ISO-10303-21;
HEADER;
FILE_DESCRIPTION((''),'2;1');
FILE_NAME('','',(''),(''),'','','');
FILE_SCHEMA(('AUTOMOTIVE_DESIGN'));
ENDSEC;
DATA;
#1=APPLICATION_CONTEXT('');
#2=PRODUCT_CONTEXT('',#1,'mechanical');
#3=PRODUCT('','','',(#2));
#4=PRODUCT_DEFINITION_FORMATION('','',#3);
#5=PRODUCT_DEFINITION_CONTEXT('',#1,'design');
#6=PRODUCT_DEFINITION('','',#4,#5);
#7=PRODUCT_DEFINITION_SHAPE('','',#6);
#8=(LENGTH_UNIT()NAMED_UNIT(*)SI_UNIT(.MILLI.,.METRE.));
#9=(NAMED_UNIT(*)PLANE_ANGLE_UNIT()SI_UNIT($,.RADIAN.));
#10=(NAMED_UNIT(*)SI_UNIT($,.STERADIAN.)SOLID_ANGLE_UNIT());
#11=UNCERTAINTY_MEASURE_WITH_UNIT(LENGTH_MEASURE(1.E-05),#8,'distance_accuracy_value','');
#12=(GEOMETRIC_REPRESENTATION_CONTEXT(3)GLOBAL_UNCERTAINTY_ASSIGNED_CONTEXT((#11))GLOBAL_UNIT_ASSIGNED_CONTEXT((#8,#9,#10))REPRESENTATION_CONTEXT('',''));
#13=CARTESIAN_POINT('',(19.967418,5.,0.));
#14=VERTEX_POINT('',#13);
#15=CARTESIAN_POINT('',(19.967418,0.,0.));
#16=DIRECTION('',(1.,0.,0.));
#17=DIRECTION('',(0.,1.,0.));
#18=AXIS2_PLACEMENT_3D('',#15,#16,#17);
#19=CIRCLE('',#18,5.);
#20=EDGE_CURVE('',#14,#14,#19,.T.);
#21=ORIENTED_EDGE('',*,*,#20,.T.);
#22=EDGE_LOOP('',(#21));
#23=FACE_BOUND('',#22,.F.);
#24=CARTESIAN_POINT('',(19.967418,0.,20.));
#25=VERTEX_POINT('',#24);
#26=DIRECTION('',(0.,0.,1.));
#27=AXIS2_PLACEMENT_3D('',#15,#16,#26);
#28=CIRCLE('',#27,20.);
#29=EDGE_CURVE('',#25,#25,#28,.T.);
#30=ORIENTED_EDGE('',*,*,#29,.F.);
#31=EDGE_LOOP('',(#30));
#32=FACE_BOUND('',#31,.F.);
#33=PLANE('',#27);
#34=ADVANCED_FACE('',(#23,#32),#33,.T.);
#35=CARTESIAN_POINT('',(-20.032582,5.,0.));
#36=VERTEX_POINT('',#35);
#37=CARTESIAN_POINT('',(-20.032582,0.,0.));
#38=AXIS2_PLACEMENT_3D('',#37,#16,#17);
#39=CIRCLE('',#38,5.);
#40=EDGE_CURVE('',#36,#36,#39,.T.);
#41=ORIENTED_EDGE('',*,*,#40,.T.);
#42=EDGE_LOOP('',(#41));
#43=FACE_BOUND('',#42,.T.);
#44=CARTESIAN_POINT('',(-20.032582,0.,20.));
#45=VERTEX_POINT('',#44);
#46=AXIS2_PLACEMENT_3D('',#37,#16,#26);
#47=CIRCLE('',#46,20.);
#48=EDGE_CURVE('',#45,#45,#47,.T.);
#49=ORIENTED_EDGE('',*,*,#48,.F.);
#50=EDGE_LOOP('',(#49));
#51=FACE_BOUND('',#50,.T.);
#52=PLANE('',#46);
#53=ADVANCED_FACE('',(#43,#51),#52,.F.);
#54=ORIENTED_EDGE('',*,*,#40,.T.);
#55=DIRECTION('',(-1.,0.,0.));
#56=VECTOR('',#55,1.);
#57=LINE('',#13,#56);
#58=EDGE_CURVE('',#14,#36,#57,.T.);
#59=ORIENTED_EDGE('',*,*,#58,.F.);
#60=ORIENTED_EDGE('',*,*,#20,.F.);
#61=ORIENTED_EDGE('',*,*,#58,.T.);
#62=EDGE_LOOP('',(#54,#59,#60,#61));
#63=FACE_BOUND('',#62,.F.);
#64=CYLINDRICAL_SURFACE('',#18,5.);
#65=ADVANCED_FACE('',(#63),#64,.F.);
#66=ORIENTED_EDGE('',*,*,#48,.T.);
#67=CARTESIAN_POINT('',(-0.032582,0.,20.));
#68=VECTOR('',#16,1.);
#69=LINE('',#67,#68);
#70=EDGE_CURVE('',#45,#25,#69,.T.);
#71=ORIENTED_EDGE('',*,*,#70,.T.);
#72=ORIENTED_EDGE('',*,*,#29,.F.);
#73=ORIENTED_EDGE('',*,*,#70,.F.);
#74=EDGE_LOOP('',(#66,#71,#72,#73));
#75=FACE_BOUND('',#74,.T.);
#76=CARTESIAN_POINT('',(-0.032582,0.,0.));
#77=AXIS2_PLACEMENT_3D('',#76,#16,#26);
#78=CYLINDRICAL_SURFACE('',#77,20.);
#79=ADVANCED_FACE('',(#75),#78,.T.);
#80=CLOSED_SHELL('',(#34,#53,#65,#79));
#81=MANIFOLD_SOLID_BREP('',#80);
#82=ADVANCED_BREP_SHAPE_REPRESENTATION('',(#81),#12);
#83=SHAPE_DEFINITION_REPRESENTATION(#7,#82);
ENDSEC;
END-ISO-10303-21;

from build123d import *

# Parameters (mm, degrees)
F0_W     = 40
F0_H     = 20
F2_R     = 5
F3_DEPTH = 40.001


with BuildPart() as f1:
    # F0 (on Front) → F1 (revolve)
    with BuildSketch(Plane.XZ):
        with Locations((-0.032582, 10)):
            Rectangle(F0_W, F0_H)
    revolve(axis=Axis((-0.032582, 0, 0), (1, 0, 0)))

    # F2 (on face) → F3 (cut, through all)
    with BuildSketch(Plane.YZ.offset(19.967418)):
        Circle(F2_R)
    extrude(amount=-F3_DEPTH, mode=Mode.SUBTRACT)


solid = f1.part
